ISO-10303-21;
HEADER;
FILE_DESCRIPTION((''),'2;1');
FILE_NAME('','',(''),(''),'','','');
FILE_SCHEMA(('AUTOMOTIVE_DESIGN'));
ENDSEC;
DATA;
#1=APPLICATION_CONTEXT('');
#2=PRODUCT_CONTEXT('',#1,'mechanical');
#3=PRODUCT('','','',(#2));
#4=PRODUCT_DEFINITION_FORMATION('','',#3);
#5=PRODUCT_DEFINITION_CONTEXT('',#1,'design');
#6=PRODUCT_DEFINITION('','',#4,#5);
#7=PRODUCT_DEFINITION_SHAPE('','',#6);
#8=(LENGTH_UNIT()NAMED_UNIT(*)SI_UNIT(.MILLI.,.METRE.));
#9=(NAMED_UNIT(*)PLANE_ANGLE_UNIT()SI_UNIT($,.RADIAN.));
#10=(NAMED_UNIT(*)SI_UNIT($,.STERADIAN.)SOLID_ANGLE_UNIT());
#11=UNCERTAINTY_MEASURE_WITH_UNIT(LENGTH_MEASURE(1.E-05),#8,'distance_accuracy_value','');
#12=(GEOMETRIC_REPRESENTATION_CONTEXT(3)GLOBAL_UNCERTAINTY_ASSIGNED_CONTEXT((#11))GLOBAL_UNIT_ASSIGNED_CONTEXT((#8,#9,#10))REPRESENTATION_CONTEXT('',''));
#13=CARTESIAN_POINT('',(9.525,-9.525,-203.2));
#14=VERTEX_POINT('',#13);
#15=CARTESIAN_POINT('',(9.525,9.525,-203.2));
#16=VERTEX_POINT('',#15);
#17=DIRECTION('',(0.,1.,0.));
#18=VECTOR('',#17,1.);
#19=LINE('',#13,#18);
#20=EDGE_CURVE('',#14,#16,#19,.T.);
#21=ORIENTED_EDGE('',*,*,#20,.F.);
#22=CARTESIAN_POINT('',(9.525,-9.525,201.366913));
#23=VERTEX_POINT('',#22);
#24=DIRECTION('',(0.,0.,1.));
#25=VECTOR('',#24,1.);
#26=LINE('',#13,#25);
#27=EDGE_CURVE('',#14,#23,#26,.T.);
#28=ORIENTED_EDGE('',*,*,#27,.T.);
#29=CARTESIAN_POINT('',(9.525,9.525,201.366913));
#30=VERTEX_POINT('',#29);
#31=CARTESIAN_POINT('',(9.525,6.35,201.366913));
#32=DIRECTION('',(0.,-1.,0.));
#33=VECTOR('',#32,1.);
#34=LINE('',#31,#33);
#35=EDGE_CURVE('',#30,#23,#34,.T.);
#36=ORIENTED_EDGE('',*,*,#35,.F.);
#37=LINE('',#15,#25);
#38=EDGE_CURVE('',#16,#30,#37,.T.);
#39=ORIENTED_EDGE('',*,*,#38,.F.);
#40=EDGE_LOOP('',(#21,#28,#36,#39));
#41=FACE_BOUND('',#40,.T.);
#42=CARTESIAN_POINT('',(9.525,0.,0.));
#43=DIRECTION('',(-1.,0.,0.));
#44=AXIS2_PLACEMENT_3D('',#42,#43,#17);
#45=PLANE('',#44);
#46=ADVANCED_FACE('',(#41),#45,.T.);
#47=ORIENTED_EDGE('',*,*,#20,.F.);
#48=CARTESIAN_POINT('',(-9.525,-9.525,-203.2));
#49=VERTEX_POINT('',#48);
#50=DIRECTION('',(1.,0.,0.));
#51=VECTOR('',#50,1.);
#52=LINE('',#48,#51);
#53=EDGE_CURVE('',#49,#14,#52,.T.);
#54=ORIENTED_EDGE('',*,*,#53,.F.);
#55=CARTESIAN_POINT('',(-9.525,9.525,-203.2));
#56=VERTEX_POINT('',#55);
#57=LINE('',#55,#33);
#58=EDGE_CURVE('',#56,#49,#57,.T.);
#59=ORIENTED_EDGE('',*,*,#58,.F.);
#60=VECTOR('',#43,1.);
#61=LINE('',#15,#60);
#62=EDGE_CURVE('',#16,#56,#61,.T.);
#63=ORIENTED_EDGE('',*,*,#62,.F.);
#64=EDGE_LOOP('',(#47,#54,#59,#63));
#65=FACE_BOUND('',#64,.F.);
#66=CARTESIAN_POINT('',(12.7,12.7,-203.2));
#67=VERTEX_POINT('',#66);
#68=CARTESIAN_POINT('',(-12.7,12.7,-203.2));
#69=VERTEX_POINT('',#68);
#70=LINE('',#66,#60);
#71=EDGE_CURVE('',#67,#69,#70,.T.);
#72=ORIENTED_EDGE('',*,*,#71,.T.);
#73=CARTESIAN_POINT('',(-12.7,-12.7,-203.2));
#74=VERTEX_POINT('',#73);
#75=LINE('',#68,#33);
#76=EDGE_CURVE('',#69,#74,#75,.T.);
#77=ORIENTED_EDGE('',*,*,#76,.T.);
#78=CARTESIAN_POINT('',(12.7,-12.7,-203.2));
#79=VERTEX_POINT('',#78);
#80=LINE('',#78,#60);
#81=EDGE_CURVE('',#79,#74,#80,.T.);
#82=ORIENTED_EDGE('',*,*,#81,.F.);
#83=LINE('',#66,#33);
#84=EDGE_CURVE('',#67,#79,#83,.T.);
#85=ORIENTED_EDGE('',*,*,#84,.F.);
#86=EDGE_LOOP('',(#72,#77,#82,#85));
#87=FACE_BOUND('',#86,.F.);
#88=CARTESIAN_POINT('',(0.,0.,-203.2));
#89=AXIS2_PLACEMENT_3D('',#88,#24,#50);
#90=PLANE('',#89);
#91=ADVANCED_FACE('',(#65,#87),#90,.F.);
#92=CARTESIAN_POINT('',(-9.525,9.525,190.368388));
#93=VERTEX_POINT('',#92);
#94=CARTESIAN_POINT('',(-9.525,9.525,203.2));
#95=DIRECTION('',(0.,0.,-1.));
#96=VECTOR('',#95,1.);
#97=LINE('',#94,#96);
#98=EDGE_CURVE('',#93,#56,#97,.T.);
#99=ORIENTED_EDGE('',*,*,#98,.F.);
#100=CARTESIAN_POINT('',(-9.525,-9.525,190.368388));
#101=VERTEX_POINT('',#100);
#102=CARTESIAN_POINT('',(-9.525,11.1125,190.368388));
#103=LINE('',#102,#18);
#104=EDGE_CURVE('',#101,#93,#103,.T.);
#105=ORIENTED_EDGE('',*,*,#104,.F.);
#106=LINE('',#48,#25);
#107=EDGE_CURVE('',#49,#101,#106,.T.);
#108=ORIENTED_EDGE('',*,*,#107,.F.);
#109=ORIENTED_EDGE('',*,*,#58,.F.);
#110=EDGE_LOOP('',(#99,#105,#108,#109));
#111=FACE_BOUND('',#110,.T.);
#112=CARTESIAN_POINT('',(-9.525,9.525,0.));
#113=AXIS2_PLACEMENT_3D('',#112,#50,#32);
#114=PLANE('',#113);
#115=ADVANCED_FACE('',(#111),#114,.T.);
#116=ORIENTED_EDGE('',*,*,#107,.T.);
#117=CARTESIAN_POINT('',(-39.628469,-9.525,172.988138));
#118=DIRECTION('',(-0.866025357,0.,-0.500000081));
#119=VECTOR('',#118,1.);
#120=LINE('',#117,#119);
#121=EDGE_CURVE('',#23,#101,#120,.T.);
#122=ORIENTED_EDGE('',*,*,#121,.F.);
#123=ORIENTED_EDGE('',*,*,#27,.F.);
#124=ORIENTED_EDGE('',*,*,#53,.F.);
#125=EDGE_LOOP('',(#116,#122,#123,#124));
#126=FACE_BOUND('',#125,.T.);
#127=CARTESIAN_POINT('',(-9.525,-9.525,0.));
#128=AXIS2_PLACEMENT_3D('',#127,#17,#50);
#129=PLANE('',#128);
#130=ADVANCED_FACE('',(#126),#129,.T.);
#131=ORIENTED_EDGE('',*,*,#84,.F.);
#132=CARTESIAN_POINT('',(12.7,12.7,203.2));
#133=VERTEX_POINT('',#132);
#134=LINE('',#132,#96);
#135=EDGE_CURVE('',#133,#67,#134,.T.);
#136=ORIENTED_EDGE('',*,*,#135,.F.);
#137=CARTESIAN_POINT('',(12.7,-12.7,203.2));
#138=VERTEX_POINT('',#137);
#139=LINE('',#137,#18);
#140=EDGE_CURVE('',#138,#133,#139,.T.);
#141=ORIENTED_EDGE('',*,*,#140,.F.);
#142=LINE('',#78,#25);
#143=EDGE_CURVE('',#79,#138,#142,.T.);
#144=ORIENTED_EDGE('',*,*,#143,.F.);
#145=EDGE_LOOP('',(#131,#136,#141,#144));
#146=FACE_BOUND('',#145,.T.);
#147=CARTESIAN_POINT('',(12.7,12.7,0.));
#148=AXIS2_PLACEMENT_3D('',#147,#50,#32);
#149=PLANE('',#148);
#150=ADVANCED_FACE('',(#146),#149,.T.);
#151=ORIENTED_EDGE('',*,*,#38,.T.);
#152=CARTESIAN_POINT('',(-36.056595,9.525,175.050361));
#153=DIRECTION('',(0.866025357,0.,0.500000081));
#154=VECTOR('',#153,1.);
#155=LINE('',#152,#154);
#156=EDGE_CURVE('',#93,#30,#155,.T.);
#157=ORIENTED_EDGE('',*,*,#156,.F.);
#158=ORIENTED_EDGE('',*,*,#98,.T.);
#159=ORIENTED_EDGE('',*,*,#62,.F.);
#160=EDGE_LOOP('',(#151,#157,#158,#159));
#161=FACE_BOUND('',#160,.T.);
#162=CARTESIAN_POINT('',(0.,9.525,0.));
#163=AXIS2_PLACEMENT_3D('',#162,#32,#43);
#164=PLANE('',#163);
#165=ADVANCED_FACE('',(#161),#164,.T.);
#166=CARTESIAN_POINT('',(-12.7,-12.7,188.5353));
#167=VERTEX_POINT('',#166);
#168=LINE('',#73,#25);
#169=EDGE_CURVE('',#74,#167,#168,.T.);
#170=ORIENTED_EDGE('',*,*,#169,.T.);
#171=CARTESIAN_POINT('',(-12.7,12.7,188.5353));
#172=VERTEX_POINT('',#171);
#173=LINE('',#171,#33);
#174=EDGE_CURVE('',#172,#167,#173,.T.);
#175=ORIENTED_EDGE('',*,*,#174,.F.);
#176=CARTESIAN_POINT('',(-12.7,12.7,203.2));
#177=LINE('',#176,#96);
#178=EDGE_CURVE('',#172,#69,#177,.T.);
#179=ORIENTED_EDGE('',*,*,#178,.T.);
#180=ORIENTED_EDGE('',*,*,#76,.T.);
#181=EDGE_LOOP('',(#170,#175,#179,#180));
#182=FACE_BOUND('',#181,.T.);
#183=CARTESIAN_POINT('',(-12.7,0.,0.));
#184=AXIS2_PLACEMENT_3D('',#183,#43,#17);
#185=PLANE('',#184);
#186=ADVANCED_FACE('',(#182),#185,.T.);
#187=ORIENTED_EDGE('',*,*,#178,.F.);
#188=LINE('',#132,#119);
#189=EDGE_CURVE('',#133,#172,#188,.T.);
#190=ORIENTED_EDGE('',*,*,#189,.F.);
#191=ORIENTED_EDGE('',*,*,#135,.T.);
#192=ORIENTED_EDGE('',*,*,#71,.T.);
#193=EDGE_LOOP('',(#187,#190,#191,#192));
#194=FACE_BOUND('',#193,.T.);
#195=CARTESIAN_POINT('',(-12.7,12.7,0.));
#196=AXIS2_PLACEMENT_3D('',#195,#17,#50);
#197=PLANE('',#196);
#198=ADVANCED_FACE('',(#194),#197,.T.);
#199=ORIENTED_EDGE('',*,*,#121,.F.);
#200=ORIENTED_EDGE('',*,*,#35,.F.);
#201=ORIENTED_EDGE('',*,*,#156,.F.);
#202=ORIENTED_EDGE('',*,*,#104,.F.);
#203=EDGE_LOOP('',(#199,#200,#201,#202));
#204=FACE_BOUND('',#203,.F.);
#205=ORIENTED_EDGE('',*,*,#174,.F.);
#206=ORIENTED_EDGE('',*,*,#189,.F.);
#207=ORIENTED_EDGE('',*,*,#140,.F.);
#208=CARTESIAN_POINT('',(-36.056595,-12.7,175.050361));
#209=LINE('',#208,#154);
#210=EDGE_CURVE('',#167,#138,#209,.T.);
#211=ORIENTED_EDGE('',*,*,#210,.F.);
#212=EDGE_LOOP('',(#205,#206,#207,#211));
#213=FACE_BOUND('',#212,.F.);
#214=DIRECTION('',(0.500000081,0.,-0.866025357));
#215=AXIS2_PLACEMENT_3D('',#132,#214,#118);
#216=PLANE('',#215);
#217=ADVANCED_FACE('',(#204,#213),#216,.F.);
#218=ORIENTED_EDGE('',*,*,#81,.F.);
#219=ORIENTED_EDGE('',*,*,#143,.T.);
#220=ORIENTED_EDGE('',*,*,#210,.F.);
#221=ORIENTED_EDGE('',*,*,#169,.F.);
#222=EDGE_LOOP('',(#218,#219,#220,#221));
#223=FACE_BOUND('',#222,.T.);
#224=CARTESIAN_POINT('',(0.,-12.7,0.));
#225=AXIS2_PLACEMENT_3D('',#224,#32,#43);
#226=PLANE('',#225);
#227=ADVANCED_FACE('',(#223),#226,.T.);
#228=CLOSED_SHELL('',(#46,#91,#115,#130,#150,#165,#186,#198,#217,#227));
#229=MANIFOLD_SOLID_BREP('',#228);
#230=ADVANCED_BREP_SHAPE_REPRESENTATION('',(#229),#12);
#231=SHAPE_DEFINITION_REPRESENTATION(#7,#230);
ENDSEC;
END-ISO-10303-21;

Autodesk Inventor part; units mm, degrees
ref_plane "YZ Plane" through (0, 0, 0) normal (1, 0, 0) x (0, 1, 0)
ref_plane "XZ Plane" through (0, 0, 0) normal (0, 1, 0) x (-1, 0, 0)
ref_plane "XY Plane" through (0, 0, 0) normal (0, 0, 1) x (1, 0, 0)
sketch "Sketch1" plane through (0, 0, 0) normal (0, 0, 1) x (1, 0, 0)
  line L0 (-17.78, 0) -> (17.78, 0) projected
  line L1 (0, -17.78) -> (0, 17.78) projected
  line L2 (-12.7, 12.7) -> (12.7, 12.7)
  line L3 (12.7, 12.7) -> (12.7, -12.7)
  line L4 (12.7, -12.7) -> (-12.7, -12.7)
  line L5 (-12.7, -12.7) -> (-12.7, 12.7)
  line L6 (9.525, 9.525) -> (-9.525, 9.525)
  line L7 (-9.525, 9.525) -> (-9.525, -9.525)
  line L8 (-9.525, -9.525) -> (9.525, -9.525)
  line L9 (9.525, -9.525) -> (9.525, 9.525)
  point P0 (0, 0)
  point P1 (-12.7, 0)
  point P2 (0, 12.7)
  dimension "d0" = 25.4
  dimension "d1" = 3.175
extrude "Extrusion1" add sketch "Sketch1" along normal mid plane 406.4 contours L5 L2 L1 L6 L7 L0 | L0 L7 L8 L1 L4 L5 | L1 L8 L9 L0 L3 L4 | L2 L3 L0 L9 L6 L1
sketch "Sketch3" plane through (-12.7, 12.7, 203.2) normal (0, 1, 0) x (1, 0, 0)
  line L0 (0, 0) -> (25.4, 0) projected
  line L1 (0, 406.4) -> (0, 0) projected
  line L2 (25.4, 0) -> (0, 14.6647)
  point P0 (12.7, 203.2)
  dimension "d7" = 30
extrude "Extrusion3" cut sketch "Sketch3" against normal through all
properties part number "tubing_template_0.125" material "Aluminum-6061"
